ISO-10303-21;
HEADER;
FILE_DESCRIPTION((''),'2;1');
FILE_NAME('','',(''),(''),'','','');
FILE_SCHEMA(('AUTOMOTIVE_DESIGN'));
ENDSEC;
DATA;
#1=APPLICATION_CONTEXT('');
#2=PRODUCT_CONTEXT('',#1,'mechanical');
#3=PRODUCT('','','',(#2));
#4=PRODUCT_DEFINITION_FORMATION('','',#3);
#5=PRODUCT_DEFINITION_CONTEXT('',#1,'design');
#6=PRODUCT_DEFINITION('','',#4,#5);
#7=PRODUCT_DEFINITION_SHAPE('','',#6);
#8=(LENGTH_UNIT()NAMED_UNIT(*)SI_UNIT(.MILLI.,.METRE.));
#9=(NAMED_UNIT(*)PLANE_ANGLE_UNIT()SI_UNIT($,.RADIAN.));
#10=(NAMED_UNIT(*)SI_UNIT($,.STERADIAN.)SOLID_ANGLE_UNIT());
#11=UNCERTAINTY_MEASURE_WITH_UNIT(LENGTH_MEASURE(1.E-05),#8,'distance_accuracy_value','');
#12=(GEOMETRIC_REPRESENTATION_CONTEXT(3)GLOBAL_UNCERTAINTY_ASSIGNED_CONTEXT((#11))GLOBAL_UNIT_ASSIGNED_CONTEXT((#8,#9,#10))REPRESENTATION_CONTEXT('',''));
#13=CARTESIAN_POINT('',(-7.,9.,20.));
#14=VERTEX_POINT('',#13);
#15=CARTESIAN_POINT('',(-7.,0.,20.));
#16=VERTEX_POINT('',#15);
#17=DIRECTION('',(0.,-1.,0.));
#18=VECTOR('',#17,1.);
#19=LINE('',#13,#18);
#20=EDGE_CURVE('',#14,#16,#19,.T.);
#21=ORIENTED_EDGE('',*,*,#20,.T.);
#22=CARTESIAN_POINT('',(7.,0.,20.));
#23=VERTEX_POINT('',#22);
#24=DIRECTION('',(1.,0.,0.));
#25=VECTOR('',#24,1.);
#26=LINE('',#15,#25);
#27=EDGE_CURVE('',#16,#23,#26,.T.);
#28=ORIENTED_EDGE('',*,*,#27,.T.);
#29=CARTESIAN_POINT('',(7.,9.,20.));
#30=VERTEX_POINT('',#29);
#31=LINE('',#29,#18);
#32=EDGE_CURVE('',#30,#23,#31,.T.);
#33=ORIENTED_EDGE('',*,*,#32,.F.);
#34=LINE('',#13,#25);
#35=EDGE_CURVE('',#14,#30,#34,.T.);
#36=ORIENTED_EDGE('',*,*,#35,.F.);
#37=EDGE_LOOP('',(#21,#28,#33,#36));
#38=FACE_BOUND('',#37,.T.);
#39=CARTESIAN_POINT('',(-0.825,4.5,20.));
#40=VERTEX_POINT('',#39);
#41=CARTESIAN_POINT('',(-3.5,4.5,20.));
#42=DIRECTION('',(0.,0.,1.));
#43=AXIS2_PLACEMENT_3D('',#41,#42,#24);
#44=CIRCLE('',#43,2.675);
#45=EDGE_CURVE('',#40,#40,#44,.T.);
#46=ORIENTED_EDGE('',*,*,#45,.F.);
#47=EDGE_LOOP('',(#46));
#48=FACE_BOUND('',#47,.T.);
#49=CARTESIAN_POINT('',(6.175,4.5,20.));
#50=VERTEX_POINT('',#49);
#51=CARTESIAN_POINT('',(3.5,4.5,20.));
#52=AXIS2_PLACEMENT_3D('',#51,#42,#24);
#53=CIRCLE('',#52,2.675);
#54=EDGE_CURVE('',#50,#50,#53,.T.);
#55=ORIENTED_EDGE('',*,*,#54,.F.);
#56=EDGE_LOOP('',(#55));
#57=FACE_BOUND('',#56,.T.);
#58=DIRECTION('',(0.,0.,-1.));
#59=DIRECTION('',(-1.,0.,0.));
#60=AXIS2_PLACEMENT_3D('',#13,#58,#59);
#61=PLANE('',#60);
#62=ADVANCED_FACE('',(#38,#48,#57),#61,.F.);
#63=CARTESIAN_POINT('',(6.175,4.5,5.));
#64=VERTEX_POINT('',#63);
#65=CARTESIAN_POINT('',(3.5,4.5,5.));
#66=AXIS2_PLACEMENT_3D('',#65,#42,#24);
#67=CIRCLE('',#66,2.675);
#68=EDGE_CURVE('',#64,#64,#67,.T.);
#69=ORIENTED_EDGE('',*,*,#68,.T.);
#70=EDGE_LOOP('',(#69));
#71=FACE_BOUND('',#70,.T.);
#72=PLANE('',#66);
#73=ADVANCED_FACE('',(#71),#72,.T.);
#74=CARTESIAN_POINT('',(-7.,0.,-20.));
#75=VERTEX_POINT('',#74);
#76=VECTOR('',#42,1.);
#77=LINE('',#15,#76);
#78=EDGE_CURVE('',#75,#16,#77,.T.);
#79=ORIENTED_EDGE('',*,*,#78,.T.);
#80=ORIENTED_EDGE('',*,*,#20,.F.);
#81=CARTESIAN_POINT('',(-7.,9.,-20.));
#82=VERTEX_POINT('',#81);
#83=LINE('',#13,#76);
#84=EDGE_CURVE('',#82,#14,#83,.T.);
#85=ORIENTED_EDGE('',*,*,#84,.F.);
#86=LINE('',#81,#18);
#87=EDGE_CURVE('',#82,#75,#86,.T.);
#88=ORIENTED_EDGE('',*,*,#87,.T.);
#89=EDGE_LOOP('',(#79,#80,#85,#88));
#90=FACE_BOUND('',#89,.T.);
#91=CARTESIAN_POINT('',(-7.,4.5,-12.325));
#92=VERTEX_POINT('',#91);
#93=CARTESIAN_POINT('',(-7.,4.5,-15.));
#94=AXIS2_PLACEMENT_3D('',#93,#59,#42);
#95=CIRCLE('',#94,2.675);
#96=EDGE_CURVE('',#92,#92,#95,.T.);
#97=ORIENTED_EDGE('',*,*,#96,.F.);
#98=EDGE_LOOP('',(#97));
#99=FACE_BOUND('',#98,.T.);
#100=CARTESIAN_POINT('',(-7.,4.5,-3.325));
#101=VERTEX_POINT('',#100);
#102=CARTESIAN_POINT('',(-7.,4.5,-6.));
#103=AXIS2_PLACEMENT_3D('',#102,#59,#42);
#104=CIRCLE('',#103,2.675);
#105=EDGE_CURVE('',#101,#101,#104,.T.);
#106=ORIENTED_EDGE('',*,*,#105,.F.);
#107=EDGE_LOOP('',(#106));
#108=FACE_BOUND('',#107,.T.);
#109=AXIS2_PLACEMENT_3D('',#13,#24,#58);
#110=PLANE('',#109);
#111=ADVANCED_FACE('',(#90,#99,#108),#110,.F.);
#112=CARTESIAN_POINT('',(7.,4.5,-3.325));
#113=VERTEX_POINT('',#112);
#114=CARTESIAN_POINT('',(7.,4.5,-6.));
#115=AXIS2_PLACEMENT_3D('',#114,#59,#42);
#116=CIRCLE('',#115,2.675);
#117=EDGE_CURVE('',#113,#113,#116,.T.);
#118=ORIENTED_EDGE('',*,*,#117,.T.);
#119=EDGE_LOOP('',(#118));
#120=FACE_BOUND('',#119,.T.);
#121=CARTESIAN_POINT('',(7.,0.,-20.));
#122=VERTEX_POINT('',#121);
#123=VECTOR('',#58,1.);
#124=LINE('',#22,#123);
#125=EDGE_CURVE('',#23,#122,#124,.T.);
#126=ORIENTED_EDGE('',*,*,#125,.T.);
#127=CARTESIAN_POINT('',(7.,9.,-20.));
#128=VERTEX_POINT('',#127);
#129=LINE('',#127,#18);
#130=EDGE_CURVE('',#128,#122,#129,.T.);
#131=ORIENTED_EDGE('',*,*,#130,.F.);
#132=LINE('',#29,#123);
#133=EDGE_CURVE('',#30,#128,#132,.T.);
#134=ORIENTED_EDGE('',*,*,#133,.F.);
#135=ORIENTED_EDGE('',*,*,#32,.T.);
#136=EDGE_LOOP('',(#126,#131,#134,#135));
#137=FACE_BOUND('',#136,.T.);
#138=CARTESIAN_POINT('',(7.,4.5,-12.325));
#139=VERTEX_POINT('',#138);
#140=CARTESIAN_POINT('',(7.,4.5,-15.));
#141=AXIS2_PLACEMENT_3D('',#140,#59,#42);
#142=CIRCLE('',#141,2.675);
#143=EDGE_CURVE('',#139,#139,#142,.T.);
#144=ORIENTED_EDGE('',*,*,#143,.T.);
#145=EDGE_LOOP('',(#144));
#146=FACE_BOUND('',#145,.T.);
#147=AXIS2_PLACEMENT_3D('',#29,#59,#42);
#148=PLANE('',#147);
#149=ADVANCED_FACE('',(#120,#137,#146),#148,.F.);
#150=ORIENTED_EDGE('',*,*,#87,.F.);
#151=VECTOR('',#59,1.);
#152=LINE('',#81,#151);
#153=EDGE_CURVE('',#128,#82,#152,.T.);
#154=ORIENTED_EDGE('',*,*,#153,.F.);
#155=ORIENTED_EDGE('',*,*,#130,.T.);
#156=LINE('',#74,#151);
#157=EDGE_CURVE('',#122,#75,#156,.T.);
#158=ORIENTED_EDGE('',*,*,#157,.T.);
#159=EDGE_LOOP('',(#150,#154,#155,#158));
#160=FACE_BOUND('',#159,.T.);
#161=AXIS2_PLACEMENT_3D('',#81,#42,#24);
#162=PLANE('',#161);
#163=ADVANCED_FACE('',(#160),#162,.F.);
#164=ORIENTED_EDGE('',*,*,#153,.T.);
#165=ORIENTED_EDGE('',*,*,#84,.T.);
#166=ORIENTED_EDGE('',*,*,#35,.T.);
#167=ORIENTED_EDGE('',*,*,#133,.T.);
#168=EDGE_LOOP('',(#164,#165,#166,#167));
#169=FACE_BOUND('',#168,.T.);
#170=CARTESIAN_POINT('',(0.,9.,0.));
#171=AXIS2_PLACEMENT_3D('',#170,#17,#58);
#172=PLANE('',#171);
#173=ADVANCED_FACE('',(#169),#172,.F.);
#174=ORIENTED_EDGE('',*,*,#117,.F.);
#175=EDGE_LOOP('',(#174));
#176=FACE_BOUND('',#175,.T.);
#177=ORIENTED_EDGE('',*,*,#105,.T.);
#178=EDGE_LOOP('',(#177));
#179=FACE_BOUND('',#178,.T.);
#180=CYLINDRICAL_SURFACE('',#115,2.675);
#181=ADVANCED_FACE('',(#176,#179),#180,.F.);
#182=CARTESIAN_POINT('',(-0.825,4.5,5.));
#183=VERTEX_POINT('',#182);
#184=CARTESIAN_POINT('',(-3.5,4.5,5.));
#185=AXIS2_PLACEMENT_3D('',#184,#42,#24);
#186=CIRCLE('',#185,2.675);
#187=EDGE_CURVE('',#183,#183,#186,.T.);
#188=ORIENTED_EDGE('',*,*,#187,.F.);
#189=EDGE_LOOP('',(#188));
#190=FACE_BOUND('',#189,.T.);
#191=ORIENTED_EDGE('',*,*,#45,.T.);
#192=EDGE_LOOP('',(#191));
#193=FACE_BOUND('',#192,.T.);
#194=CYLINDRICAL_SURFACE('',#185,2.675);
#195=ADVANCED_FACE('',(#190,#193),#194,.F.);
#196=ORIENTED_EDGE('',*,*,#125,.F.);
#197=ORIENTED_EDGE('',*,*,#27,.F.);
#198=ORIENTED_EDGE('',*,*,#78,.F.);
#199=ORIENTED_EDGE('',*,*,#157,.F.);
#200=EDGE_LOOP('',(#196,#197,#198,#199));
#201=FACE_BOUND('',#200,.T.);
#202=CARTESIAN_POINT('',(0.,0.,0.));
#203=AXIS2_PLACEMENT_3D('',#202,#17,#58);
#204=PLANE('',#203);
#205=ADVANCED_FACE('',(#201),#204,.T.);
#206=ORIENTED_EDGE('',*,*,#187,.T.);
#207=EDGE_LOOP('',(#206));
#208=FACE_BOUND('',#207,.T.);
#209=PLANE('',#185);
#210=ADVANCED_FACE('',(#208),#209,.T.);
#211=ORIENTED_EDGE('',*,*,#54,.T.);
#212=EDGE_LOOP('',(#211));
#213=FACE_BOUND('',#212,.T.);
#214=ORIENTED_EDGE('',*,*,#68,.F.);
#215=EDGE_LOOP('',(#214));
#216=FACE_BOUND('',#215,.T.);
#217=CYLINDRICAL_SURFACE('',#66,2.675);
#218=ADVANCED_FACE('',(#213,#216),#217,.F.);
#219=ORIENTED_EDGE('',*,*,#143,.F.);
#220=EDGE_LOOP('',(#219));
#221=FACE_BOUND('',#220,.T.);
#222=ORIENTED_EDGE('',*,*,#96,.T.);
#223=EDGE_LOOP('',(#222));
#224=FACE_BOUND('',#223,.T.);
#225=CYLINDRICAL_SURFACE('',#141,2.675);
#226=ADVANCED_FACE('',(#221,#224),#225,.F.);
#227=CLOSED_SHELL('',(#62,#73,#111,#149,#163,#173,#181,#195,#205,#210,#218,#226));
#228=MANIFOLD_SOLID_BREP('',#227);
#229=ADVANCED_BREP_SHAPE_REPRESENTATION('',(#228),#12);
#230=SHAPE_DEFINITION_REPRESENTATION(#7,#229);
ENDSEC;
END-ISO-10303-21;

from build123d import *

# Parameters (mm, degrees)
CROQUIS1_W              = 14
CROQUIS1_H              = 40
SALIENTE_EXTRUIR1_DEPTH = 9
CROQUIS3_R              = 2.675
CORTAR_EXTRUIR2_DEPTH   = 15
CROQUIS4_R              = 2.675
CORTAR_EXTRUIR3_DEPTH   = 15


with BuildPart() as part:
    # Croquis1 → Saliente-Extruir1 (new body)
    with BuildSketch(Plane(origin=(0, 0, 0), x_dir=(1, 0, 0), z_dir=(0, 1, 0))):
        Rectangle(CROQUIS1_W, CROQUIS1_H)
    extrude(amount=SALIENTE_EXTRUIR1_DEPTH)

    # Croquis3 → Cortar-Extruir2 (cut)
    with BuildSketch(Plane.XY.offset(20)):
        with Locations((-3.5, 4.5)):
            Circle(CROQUIS3_R)
        with Locations((3.5, 4.5)):
            Circle(CROQUIS3_R)
    extrude(amount=-CORTAR_EXTRUIR2_DEPTH, mode=Mode.SUBTRACT)

    # Croquis4 → Cortar-Extruir3 (cut, through all)
    with BuildSketch(Plane.ZY.offset(7)):
        with Locations((-15, 4.5)):
            Circle(CROQUIS4_R)
        with Locations((-6, 4.5)):
            Circle(CROQUIS4_R)
    extrude(amount=-CORTAR_EXTRUIR3_DEPTH, mode=Mode.SUBTRACT)


solid = part.part
